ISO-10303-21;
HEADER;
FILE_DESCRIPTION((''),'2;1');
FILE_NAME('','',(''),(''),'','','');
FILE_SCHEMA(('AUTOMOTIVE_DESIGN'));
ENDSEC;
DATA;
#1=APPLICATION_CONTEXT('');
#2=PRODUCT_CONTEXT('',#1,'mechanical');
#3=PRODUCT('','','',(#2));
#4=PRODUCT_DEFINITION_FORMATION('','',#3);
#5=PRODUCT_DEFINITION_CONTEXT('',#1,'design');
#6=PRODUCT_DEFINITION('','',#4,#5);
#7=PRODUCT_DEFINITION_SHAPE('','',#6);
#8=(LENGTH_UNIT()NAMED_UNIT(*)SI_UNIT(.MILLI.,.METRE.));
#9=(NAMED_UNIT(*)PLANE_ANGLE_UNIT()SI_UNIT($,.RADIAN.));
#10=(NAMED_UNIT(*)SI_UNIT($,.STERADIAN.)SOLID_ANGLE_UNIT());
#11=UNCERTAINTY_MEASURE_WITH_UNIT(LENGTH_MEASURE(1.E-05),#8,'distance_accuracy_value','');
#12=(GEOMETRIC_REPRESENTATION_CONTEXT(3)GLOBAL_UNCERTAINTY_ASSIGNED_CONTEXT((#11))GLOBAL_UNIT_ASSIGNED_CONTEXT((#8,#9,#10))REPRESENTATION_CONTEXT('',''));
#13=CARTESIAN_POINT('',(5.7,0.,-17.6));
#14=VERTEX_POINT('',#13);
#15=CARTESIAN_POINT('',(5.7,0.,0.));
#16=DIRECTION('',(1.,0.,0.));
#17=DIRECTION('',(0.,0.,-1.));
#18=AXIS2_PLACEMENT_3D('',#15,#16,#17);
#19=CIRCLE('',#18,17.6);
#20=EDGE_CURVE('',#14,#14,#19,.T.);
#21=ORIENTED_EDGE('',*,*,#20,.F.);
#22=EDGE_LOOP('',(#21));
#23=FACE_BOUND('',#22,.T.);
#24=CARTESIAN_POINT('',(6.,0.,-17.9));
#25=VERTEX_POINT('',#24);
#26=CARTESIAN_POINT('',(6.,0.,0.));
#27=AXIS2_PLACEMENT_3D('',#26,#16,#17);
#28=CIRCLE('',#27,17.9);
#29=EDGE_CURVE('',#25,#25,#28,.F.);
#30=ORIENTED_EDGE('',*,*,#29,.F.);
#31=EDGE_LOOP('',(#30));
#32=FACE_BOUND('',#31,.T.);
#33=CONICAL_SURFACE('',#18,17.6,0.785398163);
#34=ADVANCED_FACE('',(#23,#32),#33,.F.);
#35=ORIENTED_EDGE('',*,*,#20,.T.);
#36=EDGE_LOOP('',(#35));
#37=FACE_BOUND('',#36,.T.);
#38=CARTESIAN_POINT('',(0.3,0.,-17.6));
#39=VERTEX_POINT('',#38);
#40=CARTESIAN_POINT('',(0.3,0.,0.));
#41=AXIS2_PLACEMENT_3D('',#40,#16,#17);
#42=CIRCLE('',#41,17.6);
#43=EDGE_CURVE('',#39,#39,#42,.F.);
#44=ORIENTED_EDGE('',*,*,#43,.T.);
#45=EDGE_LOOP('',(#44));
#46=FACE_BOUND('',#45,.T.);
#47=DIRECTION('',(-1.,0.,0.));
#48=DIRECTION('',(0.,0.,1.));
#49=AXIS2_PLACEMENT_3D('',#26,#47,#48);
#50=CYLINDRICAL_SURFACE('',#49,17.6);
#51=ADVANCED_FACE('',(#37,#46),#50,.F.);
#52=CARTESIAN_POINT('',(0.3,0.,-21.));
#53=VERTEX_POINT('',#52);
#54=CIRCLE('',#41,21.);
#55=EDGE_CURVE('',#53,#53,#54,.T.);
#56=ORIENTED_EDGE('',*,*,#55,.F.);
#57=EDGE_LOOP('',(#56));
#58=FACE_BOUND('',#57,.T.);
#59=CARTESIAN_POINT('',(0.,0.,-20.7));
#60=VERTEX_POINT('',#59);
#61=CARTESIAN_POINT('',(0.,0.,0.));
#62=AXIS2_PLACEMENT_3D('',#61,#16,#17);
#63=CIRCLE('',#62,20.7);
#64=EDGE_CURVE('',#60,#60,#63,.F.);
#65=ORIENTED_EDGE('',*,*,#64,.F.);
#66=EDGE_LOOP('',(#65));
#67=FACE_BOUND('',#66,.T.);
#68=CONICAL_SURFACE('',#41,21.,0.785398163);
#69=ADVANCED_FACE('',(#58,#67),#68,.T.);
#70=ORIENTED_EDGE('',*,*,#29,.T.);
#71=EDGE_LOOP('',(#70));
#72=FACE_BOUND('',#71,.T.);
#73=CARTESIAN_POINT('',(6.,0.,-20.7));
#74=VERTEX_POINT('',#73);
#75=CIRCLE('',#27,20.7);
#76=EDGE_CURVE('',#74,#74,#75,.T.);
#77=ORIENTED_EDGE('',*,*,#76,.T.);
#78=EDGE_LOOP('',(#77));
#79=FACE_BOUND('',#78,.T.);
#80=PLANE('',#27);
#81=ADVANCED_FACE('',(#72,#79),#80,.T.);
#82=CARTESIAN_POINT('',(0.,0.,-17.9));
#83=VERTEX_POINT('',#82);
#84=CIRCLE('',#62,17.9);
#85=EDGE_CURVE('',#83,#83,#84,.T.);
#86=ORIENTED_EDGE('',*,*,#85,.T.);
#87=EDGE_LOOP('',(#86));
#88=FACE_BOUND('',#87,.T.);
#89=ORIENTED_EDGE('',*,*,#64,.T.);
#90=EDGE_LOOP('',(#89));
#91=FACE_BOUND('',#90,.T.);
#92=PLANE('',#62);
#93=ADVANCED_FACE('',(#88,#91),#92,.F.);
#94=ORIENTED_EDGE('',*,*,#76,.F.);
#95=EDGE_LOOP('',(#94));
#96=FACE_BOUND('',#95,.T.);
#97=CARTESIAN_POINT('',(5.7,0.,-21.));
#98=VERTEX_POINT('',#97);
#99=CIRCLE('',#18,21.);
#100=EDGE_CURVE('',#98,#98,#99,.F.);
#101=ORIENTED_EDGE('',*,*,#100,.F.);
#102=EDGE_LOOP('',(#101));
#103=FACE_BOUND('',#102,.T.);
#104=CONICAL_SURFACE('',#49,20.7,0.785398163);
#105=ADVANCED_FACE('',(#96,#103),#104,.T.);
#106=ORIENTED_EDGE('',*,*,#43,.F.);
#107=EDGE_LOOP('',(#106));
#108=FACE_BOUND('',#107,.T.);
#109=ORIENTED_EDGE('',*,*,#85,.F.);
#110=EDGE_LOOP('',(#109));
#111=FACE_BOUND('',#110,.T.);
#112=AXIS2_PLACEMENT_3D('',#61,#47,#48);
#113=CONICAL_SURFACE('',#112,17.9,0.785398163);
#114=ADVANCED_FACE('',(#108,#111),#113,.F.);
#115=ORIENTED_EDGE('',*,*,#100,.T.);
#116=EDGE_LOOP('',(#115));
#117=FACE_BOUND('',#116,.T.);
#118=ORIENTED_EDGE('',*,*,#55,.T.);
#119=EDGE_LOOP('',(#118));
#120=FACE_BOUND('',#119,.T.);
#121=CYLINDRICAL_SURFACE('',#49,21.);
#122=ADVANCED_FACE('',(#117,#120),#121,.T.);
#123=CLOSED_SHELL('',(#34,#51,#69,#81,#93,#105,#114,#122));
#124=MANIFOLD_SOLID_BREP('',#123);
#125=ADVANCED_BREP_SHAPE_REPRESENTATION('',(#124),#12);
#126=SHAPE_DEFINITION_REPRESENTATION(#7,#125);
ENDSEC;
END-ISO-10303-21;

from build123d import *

# Parameters (mm, degrees)
SKETCH_1_R      = 21
SKETCH_1_R_2    = 17.6
EXTRUDE_1_DEPTH = 6
CHAMFER_1_SIZE  = 0.3


with BuildPart() as part:
    # 草图1 → 凸台-拉伸1 (new body)
    with BuildSketch(Plane(origin=(0, 0, 0), x_dir=(0, 0, -1), z_dir=(1, 0, 0))):
        Circle(SKETCH_1_R)
        Circle(SKETCH_1_R_2, mode=Mode.SUBTRACT)
    extrude(amount=EXTRUDE_1_DEPTH)

    # 倒角1
    chamfer_1_edges = [part.edges().sort_by_distance(p)[0] for p in [
        (0, 0, 21),
        (6, 0, 21),
        (0, 0, 17.6),
        (6, 0, 17.6),
    ]]
    chamfer(chamfer_1_edges, length=CHAMFER_1_SIZE)


solid = part.part
